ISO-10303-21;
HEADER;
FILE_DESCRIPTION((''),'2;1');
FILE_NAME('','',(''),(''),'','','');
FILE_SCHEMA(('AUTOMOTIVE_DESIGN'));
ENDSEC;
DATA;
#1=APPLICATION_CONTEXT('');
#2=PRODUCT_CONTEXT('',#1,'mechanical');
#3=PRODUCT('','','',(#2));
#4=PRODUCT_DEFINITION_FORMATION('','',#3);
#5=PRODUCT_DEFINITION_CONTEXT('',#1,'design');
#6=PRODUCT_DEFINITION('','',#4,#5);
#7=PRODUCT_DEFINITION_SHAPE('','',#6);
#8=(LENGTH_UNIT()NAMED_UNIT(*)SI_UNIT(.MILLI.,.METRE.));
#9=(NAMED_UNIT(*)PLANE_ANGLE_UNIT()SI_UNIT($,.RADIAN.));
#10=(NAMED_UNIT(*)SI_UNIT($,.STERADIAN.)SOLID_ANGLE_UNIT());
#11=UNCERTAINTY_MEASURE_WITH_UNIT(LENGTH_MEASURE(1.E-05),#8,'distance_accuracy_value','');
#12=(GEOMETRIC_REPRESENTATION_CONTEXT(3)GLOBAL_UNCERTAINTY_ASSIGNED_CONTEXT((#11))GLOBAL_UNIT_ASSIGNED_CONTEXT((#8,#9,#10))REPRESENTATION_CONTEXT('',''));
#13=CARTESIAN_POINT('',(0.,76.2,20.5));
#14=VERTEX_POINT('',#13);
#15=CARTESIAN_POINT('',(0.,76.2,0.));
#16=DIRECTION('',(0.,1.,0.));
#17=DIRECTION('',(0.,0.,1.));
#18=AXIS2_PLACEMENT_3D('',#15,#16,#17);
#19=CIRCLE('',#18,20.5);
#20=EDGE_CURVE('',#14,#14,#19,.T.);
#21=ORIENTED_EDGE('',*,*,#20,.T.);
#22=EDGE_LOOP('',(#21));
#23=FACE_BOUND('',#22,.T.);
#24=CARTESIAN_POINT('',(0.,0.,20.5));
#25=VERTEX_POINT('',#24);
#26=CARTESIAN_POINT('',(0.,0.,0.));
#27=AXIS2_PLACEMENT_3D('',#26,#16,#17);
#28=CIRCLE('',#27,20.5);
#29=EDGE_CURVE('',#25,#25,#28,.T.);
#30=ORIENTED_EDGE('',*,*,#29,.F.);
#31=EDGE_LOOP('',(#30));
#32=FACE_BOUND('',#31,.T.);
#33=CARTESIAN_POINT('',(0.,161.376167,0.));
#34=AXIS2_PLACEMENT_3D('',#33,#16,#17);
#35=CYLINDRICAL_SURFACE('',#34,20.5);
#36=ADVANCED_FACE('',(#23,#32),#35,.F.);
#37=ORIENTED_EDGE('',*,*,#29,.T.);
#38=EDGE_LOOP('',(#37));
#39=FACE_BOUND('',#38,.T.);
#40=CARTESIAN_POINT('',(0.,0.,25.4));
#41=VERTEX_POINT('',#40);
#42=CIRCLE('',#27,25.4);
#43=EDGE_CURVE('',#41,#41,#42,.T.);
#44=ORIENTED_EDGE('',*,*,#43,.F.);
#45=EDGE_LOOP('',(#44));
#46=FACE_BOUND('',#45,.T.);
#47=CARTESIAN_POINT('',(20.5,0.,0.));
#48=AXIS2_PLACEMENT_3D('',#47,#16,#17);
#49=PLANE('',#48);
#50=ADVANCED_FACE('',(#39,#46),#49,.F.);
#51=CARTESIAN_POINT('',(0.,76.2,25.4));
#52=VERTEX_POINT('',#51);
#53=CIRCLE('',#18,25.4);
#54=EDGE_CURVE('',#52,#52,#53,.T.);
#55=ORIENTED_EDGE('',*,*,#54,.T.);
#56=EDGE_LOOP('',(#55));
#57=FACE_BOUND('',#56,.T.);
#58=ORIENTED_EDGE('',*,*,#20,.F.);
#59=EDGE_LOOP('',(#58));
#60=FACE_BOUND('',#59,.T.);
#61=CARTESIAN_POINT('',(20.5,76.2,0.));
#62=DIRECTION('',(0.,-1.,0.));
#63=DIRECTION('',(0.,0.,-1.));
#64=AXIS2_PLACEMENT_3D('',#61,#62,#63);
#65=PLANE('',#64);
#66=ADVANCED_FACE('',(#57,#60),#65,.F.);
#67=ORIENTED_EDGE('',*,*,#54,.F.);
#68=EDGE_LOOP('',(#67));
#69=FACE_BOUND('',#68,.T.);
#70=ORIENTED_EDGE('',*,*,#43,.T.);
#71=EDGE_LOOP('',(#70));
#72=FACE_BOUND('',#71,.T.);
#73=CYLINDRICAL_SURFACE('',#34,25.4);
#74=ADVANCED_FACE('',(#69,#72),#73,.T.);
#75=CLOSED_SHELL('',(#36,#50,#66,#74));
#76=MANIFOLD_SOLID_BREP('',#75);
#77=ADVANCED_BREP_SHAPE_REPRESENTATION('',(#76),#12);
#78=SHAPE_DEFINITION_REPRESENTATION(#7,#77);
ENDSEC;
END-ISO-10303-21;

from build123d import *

# Parameters (mm, degrees)
SKETCH_1_W = 4.9
SKETCH_1_H = 76.2


with BuildPart() as part:
    # 草图1 → 旋转1 (revolve)
    with BuildSketch(Plane.XY, mode=Mode.PRIVATE) as revolve_1_sk:
        with Locations((22.95, 38.1)):
            Rectangle(SKETCH_1_W, SKETCH_1_H)
    revolve(revolve_1_sk.sketch.rotate(Axis((0, 161.376166943, 0), (0, -1, 0)), 90), axis=Axis((0, 161.376166943, 0), (0, -1, 0)))  # turned: the seam where the file's is


solid = part.part
